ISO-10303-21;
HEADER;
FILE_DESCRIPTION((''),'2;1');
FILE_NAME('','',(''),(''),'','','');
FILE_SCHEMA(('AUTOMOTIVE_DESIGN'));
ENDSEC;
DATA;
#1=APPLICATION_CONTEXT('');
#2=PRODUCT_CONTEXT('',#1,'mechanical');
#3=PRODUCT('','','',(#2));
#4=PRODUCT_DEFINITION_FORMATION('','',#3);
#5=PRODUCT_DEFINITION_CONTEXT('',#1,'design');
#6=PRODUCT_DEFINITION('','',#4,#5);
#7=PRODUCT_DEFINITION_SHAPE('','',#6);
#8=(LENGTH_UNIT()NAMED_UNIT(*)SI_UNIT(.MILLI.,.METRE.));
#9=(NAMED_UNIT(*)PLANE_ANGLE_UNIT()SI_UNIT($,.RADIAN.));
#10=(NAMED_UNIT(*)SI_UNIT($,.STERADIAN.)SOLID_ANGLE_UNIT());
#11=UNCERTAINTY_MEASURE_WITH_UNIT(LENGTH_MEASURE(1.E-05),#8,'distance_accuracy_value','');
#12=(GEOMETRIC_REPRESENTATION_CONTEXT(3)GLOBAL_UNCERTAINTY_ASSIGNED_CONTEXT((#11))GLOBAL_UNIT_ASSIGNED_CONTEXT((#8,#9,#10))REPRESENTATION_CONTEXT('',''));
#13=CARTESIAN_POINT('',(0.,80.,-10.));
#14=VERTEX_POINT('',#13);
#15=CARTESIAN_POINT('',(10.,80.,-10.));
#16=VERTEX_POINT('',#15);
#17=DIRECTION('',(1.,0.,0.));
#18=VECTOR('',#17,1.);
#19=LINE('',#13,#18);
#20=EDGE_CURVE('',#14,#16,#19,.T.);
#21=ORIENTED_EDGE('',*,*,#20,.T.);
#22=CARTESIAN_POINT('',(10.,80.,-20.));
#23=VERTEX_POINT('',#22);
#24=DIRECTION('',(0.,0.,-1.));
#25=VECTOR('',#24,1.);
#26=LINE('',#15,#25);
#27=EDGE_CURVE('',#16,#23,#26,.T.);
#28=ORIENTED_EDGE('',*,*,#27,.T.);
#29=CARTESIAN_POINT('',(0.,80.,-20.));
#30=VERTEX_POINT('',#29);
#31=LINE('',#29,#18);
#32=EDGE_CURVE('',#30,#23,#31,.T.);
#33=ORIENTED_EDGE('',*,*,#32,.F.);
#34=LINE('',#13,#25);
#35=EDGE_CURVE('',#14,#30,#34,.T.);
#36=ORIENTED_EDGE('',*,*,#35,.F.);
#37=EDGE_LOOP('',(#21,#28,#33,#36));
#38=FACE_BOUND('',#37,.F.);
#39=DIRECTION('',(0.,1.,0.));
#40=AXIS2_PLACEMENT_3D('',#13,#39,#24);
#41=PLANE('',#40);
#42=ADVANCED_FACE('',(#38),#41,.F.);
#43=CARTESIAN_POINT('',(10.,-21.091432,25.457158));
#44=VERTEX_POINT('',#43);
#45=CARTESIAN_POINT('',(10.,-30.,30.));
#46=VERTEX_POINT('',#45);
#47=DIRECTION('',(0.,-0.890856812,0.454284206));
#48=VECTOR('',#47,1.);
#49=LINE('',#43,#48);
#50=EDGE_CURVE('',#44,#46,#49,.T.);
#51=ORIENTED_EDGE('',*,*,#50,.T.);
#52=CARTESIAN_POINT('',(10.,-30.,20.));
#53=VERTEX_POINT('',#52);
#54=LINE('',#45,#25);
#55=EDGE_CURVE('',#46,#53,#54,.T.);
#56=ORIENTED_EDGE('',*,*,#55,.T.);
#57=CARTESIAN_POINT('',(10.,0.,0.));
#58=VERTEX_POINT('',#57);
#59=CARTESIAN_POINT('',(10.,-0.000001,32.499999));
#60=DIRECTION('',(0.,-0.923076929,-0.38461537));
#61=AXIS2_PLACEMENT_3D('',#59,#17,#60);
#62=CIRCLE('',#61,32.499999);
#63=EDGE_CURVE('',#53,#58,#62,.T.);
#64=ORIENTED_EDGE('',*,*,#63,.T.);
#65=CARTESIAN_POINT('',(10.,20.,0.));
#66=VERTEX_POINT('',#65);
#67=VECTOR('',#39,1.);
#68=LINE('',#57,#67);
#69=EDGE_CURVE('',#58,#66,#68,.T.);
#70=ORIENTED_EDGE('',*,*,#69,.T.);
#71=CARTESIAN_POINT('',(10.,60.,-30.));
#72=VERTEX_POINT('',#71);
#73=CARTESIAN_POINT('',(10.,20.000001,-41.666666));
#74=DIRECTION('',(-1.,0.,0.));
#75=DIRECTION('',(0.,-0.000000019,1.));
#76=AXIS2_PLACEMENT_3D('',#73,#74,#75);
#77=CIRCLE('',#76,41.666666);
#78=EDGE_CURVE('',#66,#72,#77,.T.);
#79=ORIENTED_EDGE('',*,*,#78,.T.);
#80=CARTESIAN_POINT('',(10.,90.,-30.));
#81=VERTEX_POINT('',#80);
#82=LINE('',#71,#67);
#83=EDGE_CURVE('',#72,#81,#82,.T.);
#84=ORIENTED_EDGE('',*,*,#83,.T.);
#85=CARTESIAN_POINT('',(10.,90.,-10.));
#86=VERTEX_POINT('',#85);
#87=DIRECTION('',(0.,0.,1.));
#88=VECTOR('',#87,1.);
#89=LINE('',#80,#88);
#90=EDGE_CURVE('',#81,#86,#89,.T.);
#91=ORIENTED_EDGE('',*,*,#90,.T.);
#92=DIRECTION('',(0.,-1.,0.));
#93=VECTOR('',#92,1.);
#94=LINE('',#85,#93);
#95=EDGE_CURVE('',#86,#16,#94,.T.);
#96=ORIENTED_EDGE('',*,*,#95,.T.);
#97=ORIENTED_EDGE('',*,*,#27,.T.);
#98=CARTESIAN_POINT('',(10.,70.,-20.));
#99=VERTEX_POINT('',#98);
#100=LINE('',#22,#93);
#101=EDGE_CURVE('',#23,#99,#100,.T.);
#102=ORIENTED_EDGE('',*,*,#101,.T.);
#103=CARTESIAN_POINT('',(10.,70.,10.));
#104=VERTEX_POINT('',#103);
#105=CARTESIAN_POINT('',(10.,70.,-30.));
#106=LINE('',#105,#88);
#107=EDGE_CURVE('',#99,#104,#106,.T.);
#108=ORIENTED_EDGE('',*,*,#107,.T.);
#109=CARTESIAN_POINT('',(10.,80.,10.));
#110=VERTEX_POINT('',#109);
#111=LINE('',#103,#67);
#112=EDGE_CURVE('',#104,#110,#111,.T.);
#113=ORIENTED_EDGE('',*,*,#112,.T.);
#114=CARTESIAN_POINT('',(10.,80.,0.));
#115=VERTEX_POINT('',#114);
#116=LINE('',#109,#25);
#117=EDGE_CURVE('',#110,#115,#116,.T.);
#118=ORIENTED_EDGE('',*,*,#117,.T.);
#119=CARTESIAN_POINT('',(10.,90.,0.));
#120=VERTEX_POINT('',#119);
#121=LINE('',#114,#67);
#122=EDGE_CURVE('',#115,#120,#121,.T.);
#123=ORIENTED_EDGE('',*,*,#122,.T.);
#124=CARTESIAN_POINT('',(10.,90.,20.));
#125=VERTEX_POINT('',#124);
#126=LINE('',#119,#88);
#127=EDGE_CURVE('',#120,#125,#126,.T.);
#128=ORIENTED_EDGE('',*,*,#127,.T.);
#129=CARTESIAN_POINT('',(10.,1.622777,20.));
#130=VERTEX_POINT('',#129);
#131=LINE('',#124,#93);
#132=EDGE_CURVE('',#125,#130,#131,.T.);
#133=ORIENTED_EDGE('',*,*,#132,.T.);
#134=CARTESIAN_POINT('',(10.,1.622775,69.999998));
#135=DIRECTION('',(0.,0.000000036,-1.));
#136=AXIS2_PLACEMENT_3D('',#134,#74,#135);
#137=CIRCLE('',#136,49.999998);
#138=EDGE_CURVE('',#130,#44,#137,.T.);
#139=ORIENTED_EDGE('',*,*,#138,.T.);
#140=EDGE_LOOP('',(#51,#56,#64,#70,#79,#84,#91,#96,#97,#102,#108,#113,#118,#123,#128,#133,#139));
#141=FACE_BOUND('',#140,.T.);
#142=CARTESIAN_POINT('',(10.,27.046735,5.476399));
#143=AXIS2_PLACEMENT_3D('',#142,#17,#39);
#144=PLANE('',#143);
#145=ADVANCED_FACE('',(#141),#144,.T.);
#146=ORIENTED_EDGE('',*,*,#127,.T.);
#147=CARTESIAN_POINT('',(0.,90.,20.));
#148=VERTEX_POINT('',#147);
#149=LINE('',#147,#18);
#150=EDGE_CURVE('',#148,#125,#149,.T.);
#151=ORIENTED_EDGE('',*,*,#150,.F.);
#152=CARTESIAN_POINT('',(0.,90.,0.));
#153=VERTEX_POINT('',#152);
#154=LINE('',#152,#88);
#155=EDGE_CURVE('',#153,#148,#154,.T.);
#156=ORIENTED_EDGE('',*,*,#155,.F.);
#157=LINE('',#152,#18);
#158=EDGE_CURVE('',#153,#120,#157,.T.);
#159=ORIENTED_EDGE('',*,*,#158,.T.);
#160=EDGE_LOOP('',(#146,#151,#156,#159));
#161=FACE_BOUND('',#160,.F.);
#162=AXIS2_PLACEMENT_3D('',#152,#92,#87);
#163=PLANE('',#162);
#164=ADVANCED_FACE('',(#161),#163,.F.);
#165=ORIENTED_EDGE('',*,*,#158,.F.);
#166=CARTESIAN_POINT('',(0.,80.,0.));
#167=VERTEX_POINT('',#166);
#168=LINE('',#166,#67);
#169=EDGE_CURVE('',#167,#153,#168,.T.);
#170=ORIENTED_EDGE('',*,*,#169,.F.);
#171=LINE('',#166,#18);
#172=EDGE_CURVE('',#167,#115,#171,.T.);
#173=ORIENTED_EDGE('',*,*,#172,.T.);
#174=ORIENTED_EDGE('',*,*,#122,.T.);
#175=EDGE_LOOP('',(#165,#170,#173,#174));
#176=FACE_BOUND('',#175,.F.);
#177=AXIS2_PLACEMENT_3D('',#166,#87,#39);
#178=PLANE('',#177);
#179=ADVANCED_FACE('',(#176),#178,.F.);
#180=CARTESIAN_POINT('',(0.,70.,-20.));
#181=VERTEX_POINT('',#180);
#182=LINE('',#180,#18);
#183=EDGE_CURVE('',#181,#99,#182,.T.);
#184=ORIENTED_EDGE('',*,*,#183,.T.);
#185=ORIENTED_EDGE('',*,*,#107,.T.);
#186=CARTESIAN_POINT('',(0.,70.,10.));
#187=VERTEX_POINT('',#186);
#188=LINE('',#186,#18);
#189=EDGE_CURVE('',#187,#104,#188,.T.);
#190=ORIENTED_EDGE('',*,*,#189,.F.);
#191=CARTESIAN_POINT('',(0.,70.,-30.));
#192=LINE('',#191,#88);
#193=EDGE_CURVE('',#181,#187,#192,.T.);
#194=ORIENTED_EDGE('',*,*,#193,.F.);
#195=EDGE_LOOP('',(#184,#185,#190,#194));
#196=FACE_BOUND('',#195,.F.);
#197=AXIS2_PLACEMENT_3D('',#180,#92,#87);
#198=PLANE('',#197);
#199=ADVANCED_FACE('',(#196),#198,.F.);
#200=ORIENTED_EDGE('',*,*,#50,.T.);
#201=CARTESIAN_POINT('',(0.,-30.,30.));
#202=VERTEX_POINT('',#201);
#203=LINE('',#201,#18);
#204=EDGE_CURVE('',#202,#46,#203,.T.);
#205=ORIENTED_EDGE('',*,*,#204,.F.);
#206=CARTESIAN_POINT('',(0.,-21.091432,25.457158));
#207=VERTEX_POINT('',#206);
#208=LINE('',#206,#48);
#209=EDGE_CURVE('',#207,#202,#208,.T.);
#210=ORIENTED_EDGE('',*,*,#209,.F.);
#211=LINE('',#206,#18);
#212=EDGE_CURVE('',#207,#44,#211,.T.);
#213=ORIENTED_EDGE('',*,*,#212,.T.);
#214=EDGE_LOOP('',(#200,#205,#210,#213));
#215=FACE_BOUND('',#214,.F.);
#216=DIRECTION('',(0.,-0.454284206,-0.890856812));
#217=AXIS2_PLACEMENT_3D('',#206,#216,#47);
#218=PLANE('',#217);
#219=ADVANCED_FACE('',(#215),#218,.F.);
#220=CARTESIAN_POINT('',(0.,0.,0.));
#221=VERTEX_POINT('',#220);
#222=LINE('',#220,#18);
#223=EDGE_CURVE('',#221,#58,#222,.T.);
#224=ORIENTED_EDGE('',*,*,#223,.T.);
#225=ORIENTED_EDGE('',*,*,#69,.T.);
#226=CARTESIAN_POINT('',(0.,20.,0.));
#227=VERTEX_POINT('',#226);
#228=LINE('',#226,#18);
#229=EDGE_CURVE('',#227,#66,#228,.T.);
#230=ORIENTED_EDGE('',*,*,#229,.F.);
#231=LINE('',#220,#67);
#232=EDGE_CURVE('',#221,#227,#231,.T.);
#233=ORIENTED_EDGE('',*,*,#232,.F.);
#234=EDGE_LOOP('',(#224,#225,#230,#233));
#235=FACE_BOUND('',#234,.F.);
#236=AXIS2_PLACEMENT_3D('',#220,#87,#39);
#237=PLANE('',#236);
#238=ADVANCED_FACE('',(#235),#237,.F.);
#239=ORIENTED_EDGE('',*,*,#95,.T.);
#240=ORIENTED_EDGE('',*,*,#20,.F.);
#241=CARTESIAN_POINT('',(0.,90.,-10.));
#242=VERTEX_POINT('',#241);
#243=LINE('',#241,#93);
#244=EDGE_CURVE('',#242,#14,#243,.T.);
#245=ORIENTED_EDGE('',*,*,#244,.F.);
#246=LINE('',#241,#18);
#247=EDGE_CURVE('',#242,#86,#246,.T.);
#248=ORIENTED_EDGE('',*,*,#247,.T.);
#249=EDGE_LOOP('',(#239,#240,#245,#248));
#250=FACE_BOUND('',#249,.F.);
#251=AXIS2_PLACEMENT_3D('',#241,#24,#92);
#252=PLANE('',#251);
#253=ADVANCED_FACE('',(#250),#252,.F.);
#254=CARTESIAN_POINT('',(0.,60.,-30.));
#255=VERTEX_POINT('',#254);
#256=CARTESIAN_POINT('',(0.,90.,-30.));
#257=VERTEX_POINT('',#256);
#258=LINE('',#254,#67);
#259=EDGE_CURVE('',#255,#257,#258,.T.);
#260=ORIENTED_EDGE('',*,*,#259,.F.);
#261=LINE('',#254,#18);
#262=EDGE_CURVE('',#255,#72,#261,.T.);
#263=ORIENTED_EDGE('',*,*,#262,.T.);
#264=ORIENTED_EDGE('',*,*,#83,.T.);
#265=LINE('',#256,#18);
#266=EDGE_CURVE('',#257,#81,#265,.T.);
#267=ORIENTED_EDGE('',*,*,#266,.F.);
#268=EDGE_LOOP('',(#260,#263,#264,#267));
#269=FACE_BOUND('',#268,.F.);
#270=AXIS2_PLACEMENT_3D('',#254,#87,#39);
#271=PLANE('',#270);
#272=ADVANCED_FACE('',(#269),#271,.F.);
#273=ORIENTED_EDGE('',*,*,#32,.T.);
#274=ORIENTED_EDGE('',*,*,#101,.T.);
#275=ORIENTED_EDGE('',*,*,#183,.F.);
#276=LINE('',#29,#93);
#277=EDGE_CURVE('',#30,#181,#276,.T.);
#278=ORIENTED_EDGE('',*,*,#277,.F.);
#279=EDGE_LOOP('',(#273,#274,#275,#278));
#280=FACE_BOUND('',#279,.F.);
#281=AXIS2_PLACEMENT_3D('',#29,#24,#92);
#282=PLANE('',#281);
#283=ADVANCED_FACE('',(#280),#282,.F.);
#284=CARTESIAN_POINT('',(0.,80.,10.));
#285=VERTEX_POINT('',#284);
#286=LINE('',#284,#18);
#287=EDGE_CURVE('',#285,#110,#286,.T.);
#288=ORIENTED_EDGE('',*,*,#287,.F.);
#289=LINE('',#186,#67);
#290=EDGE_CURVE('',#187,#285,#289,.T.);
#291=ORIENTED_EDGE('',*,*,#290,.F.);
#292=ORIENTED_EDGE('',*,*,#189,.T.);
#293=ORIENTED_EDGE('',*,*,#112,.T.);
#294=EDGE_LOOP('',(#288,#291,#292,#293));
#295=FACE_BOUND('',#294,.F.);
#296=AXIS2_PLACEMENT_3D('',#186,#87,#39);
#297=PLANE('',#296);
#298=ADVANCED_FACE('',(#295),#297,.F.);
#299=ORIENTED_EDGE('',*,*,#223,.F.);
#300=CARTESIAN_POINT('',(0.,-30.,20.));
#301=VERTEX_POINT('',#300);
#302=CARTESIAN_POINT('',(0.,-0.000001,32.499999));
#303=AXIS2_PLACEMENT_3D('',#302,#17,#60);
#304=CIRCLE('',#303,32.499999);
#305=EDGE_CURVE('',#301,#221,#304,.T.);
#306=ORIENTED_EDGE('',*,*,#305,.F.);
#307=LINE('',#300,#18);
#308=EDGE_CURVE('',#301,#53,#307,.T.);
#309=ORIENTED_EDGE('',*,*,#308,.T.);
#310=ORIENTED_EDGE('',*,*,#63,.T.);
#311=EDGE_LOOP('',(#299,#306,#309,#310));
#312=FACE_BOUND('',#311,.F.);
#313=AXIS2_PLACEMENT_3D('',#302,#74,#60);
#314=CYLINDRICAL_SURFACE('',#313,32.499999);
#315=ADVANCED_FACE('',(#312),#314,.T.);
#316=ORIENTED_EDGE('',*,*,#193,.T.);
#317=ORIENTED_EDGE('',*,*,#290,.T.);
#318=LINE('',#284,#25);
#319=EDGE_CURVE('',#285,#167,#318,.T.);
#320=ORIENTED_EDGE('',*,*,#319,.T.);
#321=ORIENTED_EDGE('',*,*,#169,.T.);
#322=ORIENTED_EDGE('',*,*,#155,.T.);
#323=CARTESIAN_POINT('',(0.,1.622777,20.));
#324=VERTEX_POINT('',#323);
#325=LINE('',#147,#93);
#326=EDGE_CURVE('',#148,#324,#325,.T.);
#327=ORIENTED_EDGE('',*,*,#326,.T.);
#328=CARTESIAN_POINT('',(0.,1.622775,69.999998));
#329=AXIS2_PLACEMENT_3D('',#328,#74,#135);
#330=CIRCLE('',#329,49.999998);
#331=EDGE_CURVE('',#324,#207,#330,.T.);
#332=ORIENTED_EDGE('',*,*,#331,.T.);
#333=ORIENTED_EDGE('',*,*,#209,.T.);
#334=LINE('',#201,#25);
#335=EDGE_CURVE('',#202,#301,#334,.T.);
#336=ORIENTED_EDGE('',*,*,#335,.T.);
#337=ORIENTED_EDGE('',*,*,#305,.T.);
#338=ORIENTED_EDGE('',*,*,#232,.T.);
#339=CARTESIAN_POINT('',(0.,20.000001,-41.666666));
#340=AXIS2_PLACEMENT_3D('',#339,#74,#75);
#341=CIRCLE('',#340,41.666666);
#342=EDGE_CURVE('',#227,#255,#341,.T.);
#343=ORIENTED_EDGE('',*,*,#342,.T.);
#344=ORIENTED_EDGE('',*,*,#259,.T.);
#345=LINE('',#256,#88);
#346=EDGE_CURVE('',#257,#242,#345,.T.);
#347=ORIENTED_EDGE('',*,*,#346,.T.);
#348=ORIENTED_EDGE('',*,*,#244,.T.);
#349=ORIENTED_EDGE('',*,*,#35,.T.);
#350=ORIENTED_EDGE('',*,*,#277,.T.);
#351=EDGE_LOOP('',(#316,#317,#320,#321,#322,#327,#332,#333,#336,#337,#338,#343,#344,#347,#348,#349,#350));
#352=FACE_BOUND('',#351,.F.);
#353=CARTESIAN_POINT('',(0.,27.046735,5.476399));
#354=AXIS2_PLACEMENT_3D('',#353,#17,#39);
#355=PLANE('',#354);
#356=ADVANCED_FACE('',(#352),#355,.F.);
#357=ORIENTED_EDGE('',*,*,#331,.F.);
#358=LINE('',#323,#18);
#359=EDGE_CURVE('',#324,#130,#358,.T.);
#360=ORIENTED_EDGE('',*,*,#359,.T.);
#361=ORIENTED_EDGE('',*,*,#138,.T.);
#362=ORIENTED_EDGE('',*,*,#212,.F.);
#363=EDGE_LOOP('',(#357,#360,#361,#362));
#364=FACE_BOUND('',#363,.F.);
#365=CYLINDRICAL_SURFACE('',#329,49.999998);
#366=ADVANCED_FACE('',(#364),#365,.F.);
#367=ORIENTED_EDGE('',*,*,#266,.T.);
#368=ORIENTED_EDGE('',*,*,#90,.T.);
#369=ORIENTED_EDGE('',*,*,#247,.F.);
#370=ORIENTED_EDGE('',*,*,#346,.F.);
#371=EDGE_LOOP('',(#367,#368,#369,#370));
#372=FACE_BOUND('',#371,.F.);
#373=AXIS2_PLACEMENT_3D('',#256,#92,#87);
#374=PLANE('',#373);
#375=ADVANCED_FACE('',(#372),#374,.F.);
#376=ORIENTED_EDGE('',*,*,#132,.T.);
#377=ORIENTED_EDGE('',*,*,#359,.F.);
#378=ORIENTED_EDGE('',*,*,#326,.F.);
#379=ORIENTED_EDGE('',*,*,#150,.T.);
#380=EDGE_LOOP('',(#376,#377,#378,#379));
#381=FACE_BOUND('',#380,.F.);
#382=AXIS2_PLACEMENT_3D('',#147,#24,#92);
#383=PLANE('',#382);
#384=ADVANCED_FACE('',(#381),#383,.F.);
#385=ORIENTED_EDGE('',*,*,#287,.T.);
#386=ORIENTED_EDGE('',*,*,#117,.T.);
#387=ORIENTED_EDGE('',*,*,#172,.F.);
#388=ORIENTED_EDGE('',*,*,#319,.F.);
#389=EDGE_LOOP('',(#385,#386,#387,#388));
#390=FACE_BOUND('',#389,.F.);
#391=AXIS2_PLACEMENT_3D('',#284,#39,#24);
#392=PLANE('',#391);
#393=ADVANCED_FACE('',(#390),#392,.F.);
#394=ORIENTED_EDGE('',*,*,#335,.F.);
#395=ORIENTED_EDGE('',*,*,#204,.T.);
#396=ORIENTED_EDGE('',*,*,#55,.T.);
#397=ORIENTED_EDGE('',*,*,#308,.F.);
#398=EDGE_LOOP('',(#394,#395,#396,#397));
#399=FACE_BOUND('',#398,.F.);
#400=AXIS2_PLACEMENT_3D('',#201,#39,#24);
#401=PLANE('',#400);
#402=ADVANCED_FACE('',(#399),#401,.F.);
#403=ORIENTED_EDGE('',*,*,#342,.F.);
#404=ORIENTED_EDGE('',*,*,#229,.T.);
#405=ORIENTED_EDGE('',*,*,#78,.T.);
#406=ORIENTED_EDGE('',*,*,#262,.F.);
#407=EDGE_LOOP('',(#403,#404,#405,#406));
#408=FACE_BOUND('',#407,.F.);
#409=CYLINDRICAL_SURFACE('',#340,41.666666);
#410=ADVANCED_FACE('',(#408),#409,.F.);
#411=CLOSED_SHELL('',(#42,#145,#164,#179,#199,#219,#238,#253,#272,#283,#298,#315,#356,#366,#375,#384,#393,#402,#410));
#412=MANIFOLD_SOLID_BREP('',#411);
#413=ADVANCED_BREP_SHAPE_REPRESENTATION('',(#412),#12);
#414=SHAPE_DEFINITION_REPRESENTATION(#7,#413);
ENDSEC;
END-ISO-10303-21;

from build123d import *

# Parameters (mm, degrees)
F1_DEPTH = 10


with BuildPart() as f1:
    # F0 (on Right) → F1 (new body)
    with BuildSketch(Plane.YZ):
        with BuildLine():
            Line((-21.091432, 25.457158), (-30, 30))
            Line((-30, 30), (-30, 20))
            ThreePointArc((-30, 20), (-18.027756, 5.458365), (0, 0))
            Line((0, 0), (20, 0))
            ThreePointArc((20, 0), (45, -8.333333), (60, -30))
            Line((60, -30), (70, -30))
            Line((70, -30), (70, -20))
            Line((70, -20), (70, 10))
            Line((70, 10), (70, 20))
            Line((70, 20), (1.622777, 20))
            ThreePointArc((1.622777, 20), (-10.057504, 21.383428), (-21.091432, 25.457158))
        make_face()
        Polygon((90, 20), (70, 20), (70, 10), (80, 10), (80, 0), (90, 0), align=None)
        Polygon((80, -20), (70, -20), (70, -30), (90, -30), (90, -10), (80, -10), align=None)
    extrude(amount=F1_DEPTH)


solid = f1.part
